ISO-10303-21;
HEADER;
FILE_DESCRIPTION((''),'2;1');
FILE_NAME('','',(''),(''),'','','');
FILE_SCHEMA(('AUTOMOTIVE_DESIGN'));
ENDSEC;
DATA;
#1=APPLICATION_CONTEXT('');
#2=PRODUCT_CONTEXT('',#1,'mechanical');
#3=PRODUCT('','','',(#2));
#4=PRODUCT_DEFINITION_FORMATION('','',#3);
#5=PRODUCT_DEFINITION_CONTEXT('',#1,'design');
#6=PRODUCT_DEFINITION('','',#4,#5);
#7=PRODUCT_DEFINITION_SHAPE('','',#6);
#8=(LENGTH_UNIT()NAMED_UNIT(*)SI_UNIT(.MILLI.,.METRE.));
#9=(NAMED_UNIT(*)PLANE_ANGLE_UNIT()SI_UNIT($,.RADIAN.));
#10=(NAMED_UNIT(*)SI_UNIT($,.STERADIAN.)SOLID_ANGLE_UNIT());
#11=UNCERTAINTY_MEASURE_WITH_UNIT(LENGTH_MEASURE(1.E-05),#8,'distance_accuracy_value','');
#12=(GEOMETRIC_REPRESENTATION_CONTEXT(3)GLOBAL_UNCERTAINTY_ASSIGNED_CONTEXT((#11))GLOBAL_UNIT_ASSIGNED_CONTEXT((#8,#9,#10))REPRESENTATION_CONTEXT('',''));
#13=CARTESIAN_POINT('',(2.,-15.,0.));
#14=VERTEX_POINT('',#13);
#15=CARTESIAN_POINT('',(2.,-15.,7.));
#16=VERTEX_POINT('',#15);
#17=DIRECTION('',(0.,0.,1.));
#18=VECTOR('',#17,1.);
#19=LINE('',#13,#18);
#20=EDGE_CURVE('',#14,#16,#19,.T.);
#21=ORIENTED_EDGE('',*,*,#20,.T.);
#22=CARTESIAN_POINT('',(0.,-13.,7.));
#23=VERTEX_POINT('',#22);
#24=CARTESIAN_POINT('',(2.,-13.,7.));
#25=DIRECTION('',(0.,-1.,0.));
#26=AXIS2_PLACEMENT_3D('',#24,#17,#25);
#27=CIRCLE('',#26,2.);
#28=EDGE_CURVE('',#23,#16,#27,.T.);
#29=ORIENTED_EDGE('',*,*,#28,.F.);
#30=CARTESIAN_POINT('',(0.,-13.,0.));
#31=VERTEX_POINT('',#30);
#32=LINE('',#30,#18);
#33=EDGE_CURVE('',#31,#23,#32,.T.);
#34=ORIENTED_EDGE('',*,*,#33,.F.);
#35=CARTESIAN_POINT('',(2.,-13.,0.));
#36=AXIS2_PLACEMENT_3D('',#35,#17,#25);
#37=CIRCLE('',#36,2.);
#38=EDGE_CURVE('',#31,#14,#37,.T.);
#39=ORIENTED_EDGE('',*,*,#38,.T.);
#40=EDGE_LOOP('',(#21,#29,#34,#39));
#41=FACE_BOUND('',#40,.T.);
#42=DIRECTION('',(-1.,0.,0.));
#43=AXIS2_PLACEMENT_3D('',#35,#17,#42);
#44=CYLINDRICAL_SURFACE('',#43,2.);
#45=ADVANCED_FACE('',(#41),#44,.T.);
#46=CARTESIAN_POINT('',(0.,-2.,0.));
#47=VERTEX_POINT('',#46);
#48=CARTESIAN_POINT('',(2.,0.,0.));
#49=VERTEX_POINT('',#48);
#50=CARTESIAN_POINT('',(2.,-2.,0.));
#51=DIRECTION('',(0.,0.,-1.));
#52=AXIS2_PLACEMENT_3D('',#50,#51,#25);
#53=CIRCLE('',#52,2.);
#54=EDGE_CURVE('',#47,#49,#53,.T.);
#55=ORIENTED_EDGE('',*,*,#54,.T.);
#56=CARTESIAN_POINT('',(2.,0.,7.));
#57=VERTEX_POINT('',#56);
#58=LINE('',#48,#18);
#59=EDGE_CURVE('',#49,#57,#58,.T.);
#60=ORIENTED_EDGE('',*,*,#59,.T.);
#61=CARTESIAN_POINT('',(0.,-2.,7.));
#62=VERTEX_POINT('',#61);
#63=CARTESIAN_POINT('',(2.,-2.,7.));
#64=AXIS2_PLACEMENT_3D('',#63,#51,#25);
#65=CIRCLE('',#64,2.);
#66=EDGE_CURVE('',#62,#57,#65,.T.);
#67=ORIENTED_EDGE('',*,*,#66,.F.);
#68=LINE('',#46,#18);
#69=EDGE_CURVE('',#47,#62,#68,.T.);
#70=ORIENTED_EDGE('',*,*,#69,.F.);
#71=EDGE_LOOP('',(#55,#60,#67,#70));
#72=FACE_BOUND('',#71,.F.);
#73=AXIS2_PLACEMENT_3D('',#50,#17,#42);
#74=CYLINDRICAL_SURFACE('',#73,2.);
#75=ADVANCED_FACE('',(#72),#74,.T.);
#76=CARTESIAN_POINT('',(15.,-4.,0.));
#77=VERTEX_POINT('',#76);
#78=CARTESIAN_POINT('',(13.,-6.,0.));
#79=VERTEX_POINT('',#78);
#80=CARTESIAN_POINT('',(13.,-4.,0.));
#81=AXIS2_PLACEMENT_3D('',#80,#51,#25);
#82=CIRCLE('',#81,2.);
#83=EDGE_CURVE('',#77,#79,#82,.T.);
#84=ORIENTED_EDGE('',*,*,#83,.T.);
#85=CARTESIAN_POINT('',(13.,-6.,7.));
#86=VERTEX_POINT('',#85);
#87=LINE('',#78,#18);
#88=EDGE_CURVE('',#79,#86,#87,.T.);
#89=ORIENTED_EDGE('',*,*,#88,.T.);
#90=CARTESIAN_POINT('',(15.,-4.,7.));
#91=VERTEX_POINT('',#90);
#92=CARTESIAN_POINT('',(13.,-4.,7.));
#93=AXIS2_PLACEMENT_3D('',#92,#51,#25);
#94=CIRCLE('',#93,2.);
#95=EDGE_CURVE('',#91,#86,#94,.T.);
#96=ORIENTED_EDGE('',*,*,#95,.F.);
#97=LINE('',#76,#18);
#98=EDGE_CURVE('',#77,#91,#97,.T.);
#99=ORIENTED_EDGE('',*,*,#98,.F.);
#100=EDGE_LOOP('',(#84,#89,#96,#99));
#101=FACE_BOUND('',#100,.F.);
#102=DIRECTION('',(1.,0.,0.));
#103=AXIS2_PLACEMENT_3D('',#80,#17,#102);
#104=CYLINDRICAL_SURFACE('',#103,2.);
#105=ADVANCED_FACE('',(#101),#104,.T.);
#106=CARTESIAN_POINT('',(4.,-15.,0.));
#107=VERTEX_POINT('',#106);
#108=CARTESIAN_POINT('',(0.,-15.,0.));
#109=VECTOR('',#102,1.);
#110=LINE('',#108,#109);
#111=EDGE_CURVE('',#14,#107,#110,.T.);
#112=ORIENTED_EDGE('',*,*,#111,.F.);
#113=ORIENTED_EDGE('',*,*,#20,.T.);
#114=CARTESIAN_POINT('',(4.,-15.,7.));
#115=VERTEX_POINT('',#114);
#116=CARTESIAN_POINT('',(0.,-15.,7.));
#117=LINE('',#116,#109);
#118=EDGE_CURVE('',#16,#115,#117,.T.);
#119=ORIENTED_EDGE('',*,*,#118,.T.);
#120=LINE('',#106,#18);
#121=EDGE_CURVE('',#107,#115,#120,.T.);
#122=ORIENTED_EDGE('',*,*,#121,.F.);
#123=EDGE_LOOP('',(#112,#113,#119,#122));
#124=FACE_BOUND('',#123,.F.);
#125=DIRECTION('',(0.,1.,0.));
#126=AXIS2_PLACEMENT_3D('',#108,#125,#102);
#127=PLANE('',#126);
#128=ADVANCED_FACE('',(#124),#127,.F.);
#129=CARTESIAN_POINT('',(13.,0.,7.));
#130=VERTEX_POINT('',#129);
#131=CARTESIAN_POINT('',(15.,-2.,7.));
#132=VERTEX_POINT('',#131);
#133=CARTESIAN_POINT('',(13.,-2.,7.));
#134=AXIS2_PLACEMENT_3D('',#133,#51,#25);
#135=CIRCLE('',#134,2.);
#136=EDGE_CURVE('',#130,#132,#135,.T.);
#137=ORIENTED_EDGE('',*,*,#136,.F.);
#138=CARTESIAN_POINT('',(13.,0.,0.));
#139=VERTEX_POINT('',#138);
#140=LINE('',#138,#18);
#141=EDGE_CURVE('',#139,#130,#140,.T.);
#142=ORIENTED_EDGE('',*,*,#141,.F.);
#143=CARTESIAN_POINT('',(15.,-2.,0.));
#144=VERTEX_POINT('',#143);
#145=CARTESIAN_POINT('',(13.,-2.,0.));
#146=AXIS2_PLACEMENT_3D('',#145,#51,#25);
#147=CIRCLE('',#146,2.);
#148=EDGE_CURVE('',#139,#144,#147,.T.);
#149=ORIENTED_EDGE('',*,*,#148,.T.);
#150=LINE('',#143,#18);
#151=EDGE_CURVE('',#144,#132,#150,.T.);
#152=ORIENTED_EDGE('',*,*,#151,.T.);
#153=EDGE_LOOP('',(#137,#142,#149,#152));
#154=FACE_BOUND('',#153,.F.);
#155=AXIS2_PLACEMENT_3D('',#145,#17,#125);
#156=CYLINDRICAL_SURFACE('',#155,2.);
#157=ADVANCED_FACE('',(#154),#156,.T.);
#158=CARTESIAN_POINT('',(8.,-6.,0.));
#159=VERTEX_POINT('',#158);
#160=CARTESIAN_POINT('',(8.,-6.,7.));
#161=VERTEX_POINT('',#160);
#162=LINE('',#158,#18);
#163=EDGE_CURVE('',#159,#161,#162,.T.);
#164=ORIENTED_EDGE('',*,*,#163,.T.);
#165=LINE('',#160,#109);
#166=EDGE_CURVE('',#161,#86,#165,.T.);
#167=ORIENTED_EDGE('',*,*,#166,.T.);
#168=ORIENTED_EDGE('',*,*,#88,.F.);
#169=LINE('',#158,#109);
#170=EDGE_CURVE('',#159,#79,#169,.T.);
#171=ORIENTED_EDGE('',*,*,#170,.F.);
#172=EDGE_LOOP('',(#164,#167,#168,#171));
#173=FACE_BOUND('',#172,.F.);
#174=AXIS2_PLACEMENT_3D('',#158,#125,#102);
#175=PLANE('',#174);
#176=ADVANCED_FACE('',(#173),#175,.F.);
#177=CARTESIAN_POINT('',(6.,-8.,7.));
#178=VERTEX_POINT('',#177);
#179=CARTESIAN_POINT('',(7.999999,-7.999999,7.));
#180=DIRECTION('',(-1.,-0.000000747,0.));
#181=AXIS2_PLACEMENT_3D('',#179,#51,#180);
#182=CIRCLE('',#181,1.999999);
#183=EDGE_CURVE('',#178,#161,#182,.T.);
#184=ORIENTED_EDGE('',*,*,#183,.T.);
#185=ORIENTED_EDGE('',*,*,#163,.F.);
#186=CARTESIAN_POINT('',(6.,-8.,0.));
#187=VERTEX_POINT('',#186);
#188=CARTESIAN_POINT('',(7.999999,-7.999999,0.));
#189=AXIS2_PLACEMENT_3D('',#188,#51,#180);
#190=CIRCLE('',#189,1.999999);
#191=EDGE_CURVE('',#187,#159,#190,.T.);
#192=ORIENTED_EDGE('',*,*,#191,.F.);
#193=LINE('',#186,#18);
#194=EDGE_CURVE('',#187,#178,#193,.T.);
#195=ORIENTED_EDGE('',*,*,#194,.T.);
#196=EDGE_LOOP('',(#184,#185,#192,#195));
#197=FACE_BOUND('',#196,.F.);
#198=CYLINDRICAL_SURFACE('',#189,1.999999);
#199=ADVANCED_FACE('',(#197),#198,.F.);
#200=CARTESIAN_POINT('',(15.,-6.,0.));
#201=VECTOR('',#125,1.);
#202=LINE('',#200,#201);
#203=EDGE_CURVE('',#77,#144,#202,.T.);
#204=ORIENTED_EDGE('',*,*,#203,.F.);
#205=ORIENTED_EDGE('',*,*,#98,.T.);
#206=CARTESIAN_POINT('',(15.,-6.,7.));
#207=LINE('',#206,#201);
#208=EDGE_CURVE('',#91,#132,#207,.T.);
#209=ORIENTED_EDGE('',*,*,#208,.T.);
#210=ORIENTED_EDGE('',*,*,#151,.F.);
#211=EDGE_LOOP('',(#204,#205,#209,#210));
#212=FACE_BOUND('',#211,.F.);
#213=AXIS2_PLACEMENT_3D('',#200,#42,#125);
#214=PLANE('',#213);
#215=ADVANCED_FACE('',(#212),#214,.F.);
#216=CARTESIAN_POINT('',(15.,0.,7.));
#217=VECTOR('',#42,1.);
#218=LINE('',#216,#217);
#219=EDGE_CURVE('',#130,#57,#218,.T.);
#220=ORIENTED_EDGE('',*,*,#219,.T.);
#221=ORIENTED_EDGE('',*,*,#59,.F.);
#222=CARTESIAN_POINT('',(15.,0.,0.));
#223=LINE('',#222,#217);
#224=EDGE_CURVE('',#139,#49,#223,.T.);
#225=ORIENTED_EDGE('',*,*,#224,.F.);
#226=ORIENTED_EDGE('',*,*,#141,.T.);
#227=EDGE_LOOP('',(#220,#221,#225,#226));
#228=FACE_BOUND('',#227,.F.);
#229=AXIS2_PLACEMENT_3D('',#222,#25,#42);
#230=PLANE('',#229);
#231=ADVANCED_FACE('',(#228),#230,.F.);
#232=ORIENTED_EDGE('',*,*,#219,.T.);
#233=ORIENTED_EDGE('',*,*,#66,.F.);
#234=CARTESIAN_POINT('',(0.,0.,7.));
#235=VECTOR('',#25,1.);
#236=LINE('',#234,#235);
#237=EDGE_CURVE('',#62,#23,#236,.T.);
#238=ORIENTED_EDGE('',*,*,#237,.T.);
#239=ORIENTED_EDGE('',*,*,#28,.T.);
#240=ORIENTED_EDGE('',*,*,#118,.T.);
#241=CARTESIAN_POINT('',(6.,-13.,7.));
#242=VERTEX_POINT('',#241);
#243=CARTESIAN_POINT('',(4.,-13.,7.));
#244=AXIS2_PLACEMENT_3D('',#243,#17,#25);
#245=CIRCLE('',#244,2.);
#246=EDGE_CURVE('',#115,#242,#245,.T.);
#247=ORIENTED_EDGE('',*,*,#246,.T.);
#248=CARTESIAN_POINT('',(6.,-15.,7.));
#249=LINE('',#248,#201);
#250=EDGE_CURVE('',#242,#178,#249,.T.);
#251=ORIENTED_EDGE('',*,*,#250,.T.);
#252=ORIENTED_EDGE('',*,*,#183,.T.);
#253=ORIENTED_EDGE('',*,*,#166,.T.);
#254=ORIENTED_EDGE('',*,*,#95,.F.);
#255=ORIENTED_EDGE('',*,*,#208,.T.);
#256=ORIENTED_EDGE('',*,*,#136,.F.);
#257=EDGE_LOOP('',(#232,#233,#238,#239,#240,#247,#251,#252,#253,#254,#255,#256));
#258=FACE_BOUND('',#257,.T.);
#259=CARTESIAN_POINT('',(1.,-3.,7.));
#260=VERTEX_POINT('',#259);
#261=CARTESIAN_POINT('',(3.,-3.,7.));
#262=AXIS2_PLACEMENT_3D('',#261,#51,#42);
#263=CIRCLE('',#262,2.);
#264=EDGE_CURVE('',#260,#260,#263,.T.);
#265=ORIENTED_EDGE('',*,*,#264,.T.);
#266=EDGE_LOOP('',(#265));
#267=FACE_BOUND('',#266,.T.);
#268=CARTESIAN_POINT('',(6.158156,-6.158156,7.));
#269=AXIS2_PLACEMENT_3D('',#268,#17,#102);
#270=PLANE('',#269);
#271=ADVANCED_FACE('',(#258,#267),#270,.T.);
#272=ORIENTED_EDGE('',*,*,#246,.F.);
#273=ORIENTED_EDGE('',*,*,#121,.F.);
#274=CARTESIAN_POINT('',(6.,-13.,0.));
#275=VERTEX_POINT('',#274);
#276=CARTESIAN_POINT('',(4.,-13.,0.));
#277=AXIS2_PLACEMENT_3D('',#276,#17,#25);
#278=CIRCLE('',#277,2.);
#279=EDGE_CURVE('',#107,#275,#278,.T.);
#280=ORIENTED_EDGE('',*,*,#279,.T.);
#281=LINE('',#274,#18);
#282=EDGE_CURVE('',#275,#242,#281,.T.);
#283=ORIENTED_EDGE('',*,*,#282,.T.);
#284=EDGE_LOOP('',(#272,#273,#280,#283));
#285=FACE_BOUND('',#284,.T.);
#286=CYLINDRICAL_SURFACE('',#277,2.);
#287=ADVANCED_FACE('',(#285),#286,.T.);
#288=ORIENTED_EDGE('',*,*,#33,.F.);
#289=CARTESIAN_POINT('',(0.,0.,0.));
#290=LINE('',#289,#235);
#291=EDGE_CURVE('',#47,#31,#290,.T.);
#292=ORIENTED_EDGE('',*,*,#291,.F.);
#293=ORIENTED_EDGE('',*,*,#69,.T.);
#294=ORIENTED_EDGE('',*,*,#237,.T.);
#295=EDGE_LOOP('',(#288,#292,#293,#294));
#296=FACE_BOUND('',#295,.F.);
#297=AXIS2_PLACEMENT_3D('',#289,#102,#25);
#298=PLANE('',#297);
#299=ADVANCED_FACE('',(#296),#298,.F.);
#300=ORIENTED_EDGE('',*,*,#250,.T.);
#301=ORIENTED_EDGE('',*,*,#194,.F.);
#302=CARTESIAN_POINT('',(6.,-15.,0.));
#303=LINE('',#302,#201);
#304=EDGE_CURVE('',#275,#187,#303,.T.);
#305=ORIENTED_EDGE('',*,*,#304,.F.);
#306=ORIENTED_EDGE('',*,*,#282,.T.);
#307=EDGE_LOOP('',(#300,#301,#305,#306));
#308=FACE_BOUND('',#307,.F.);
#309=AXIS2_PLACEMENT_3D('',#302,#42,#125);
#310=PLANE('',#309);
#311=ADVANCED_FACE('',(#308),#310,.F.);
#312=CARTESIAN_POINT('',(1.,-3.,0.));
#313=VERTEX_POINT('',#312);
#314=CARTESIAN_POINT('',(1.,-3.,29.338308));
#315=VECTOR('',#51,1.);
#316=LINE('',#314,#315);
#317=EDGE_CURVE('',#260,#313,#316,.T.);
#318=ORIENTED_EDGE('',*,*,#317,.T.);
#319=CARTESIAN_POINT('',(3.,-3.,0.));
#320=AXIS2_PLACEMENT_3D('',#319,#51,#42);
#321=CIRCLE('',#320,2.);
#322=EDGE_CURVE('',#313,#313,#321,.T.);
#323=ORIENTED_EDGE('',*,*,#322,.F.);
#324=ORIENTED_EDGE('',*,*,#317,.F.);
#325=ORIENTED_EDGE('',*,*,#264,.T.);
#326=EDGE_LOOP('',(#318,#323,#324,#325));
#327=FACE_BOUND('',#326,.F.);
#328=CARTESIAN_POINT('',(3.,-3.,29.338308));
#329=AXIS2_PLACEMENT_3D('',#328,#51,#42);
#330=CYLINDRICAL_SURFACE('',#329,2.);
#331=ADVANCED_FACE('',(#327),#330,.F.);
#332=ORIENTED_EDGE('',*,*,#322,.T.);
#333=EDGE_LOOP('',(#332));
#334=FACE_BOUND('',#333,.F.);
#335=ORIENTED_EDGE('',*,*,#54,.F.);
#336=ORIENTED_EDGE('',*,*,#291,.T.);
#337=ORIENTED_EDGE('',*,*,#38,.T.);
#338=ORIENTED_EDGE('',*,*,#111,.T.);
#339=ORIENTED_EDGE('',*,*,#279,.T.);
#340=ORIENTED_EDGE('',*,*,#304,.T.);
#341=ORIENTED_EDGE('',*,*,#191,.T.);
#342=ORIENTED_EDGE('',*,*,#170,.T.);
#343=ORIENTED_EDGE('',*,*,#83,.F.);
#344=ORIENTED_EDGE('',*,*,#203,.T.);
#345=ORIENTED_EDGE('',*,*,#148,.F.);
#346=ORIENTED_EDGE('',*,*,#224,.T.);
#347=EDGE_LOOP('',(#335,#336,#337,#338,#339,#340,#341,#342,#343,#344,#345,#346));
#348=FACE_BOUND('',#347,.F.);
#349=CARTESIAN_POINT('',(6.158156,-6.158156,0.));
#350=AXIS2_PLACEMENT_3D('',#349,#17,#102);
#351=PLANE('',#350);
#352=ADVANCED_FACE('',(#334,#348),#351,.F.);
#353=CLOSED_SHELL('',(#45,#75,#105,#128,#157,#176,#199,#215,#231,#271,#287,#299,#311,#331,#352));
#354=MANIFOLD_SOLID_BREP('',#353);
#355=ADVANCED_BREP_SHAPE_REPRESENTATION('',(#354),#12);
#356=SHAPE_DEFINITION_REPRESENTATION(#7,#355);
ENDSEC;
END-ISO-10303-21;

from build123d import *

# Parameters (mm, degrees)
F1_DEPTH = 7
F3_D     = 4
F4_R     = 2


with BuildPart() as f1:
    # F0 (on Top) → F1 (new body)
    with BuildSketch(Plane.XY):
        with BuildLine():
            Line((0, 0), (0, -15))
            Line((0, -15), (6, -15))
            Line((6, -15), (6, -8))
            ThreePointArc((6, -8), (6.585786, -6.585786), (8, -6))
            Line((8, -6), (15, -6))
            Line((15, -6), (15, 0))
            Line((15, 0), (0, 0))
        make_face()
    extrude(amount=F1_DEPTH)

    # F3 (through all)
    with Locations(Plane.XY.offset(7)):
        with Locations((3, -3)):
            Hole(F3_D / 2)

    # F4
    f4_edges = [f1.edges().sort_by_distance(p)[0] for p in [
        (0, 0, 3.5),
        (0, -15, 3.5),
        (6, -15, 3.5),
        (15, -6, 3.5),
        (15, 0, 3.5),
    ]]
    fillet(f4_edges, radius=F4_R)


solid = f1.part
